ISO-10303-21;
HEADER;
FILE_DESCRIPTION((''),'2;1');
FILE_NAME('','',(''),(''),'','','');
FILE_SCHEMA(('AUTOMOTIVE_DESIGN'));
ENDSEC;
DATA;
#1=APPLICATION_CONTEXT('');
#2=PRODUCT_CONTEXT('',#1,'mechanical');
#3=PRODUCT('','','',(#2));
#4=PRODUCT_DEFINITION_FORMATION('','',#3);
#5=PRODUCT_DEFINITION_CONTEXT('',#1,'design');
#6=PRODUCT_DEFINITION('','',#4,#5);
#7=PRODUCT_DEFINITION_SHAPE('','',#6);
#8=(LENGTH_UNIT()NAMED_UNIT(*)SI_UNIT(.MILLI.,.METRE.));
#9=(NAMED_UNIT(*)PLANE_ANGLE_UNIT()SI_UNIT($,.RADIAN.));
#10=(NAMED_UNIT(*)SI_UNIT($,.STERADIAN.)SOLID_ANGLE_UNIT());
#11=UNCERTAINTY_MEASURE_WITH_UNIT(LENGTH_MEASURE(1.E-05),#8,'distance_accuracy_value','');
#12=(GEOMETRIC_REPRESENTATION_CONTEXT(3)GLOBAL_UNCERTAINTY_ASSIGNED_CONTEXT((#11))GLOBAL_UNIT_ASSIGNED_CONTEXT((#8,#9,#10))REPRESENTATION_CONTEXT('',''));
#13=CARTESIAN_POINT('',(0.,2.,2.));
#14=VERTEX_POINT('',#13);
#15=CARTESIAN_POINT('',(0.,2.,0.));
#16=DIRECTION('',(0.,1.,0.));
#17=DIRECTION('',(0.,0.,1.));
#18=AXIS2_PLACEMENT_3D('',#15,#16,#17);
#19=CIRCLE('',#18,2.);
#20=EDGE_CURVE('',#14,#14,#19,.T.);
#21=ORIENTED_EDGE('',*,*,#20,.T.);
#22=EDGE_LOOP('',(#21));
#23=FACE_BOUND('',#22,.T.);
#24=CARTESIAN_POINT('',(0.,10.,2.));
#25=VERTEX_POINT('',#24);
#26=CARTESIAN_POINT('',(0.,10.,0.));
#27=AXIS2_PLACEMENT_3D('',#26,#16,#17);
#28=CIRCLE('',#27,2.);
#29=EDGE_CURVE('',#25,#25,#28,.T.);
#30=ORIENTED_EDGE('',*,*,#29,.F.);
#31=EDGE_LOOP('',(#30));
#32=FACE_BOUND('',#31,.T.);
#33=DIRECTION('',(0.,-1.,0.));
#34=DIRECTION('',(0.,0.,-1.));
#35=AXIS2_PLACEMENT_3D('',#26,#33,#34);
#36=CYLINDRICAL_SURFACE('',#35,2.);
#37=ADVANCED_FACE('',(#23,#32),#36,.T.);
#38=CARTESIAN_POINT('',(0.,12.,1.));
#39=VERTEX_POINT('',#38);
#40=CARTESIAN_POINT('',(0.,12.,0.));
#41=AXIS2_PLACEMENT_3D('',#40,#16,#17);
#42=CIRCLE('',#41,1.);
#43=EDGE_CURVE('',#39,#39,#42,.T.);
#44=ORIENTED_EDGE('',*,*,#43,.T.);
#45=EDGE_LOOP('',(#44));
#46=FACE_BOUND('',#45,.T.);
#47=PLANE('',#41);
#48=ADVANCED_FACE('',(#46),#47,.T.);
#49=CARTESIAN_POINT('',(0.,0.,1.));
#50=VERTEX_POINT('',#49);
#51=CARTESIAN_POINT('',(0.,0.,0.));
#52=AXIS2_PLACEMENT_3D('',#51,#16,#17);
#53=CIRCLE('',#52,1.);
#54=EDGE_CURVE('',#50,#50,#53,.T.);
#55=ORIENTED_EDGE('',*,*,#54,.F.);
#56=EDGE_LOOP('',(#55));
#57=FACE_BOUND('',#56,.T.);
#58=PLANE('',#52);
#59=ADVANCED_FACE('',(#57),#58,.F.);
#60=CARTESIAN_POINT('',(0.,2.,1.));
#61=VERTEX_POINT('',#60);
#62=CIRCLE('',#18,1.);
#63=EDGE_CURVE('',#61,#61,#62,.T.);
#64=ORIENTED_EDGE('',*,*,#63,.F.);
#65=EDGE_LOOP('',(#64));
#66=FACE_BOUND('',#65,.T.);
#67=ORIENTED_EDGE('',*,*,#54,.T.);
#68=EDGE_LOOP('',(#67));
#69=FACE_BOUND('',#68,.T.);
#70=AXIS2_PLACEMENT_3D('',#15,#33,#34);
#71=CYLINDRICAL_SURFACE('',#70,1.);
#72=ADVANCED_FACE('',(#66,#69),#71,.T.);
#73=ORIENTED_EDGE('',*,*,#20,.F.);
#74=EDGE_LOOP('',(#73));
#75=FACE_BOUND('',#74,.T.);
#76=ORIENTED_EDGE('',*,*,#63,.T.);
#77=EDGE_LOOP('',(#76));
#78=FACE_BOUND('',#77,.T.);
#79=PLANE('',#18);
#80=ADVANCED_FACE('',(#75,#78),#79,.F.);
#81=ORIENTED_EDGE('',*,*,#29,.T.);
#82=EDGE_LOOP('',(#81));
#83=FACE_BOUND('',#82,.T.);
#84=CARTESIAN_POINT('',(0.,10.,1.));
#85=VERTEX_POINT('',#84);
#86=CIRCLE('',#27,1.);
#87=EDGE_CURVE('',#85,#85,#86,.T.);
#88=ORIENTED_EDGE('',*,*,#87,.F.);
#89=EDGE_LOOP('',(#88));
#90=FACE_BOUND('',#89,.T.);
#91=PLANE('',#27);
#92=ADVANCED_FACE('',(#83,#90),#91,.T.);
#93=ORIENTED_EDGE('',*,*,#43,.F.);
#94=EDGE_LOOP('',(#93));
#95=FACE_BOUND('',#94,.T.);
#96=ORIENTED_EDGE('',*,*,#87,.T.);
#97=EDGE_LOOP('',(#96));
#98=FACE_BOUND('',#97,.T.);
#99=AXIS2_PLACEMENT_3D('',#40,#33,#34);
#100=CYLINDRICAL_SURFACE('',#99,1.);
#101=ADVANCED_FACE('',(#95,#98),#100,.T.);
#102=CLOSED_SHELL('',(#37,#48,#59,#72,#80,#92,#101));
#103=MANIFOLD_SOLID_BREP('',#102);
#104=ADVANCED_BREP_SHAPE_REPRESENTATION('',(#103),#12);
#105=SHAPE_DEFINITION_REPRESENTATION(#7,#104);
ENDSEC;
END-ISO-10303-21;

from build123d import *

# Parameters (mm, degrees)
SKETCH_1_R      = 1
EXTRUDE_1_DEPTH = 2
SKETCH_2_R      = 2
EXTRUDE_2_DEPTH = 8
SKETCH_3_R      = 1
EXTRUDE_3_DEPTH = 2


with BuildPart() as part:
    # 草图1 → 凸台-拉伸1 (new body)
    with BuildSketch(Plane(origin=(0, 0, 0), x_dir=(1, 0, 0), z_dir=(0, 1, 0))):
        with Locations(Location((0, 0, 0), (0, 0, 270))):
            Circle(SKETCH_1_R)
    extrude(amount=EXTRUDE_1_DEPTH)

    # 草图2 → 凸台-拉伸2 (add)
    with BuildSketch(Plane(origin=(0, 2, 0), x_dir=(1, 0, 0), z_dir=(0, 1, 0))):
        with Locations(Location((0, 0, 0), (0, 0, 270))):
            Circle(SKETCH_2_R)
    extrude(amount=EXTRUDE_2_DEPTH)

    # 草图3 → 凸台-拉伸3 (add)
    with BuildSketch(Plane(origin=(0, 10, 0), x_dir=(1, 0, 0), z_dir=(0, 1, 0))):
        with Locations(Location((0, 0, 0), (0, 0, 270))):
            Circle(SKETCH_3_R)
    extrude(amount=EXTRUDE_3_DEPTH)


solid = part.part
